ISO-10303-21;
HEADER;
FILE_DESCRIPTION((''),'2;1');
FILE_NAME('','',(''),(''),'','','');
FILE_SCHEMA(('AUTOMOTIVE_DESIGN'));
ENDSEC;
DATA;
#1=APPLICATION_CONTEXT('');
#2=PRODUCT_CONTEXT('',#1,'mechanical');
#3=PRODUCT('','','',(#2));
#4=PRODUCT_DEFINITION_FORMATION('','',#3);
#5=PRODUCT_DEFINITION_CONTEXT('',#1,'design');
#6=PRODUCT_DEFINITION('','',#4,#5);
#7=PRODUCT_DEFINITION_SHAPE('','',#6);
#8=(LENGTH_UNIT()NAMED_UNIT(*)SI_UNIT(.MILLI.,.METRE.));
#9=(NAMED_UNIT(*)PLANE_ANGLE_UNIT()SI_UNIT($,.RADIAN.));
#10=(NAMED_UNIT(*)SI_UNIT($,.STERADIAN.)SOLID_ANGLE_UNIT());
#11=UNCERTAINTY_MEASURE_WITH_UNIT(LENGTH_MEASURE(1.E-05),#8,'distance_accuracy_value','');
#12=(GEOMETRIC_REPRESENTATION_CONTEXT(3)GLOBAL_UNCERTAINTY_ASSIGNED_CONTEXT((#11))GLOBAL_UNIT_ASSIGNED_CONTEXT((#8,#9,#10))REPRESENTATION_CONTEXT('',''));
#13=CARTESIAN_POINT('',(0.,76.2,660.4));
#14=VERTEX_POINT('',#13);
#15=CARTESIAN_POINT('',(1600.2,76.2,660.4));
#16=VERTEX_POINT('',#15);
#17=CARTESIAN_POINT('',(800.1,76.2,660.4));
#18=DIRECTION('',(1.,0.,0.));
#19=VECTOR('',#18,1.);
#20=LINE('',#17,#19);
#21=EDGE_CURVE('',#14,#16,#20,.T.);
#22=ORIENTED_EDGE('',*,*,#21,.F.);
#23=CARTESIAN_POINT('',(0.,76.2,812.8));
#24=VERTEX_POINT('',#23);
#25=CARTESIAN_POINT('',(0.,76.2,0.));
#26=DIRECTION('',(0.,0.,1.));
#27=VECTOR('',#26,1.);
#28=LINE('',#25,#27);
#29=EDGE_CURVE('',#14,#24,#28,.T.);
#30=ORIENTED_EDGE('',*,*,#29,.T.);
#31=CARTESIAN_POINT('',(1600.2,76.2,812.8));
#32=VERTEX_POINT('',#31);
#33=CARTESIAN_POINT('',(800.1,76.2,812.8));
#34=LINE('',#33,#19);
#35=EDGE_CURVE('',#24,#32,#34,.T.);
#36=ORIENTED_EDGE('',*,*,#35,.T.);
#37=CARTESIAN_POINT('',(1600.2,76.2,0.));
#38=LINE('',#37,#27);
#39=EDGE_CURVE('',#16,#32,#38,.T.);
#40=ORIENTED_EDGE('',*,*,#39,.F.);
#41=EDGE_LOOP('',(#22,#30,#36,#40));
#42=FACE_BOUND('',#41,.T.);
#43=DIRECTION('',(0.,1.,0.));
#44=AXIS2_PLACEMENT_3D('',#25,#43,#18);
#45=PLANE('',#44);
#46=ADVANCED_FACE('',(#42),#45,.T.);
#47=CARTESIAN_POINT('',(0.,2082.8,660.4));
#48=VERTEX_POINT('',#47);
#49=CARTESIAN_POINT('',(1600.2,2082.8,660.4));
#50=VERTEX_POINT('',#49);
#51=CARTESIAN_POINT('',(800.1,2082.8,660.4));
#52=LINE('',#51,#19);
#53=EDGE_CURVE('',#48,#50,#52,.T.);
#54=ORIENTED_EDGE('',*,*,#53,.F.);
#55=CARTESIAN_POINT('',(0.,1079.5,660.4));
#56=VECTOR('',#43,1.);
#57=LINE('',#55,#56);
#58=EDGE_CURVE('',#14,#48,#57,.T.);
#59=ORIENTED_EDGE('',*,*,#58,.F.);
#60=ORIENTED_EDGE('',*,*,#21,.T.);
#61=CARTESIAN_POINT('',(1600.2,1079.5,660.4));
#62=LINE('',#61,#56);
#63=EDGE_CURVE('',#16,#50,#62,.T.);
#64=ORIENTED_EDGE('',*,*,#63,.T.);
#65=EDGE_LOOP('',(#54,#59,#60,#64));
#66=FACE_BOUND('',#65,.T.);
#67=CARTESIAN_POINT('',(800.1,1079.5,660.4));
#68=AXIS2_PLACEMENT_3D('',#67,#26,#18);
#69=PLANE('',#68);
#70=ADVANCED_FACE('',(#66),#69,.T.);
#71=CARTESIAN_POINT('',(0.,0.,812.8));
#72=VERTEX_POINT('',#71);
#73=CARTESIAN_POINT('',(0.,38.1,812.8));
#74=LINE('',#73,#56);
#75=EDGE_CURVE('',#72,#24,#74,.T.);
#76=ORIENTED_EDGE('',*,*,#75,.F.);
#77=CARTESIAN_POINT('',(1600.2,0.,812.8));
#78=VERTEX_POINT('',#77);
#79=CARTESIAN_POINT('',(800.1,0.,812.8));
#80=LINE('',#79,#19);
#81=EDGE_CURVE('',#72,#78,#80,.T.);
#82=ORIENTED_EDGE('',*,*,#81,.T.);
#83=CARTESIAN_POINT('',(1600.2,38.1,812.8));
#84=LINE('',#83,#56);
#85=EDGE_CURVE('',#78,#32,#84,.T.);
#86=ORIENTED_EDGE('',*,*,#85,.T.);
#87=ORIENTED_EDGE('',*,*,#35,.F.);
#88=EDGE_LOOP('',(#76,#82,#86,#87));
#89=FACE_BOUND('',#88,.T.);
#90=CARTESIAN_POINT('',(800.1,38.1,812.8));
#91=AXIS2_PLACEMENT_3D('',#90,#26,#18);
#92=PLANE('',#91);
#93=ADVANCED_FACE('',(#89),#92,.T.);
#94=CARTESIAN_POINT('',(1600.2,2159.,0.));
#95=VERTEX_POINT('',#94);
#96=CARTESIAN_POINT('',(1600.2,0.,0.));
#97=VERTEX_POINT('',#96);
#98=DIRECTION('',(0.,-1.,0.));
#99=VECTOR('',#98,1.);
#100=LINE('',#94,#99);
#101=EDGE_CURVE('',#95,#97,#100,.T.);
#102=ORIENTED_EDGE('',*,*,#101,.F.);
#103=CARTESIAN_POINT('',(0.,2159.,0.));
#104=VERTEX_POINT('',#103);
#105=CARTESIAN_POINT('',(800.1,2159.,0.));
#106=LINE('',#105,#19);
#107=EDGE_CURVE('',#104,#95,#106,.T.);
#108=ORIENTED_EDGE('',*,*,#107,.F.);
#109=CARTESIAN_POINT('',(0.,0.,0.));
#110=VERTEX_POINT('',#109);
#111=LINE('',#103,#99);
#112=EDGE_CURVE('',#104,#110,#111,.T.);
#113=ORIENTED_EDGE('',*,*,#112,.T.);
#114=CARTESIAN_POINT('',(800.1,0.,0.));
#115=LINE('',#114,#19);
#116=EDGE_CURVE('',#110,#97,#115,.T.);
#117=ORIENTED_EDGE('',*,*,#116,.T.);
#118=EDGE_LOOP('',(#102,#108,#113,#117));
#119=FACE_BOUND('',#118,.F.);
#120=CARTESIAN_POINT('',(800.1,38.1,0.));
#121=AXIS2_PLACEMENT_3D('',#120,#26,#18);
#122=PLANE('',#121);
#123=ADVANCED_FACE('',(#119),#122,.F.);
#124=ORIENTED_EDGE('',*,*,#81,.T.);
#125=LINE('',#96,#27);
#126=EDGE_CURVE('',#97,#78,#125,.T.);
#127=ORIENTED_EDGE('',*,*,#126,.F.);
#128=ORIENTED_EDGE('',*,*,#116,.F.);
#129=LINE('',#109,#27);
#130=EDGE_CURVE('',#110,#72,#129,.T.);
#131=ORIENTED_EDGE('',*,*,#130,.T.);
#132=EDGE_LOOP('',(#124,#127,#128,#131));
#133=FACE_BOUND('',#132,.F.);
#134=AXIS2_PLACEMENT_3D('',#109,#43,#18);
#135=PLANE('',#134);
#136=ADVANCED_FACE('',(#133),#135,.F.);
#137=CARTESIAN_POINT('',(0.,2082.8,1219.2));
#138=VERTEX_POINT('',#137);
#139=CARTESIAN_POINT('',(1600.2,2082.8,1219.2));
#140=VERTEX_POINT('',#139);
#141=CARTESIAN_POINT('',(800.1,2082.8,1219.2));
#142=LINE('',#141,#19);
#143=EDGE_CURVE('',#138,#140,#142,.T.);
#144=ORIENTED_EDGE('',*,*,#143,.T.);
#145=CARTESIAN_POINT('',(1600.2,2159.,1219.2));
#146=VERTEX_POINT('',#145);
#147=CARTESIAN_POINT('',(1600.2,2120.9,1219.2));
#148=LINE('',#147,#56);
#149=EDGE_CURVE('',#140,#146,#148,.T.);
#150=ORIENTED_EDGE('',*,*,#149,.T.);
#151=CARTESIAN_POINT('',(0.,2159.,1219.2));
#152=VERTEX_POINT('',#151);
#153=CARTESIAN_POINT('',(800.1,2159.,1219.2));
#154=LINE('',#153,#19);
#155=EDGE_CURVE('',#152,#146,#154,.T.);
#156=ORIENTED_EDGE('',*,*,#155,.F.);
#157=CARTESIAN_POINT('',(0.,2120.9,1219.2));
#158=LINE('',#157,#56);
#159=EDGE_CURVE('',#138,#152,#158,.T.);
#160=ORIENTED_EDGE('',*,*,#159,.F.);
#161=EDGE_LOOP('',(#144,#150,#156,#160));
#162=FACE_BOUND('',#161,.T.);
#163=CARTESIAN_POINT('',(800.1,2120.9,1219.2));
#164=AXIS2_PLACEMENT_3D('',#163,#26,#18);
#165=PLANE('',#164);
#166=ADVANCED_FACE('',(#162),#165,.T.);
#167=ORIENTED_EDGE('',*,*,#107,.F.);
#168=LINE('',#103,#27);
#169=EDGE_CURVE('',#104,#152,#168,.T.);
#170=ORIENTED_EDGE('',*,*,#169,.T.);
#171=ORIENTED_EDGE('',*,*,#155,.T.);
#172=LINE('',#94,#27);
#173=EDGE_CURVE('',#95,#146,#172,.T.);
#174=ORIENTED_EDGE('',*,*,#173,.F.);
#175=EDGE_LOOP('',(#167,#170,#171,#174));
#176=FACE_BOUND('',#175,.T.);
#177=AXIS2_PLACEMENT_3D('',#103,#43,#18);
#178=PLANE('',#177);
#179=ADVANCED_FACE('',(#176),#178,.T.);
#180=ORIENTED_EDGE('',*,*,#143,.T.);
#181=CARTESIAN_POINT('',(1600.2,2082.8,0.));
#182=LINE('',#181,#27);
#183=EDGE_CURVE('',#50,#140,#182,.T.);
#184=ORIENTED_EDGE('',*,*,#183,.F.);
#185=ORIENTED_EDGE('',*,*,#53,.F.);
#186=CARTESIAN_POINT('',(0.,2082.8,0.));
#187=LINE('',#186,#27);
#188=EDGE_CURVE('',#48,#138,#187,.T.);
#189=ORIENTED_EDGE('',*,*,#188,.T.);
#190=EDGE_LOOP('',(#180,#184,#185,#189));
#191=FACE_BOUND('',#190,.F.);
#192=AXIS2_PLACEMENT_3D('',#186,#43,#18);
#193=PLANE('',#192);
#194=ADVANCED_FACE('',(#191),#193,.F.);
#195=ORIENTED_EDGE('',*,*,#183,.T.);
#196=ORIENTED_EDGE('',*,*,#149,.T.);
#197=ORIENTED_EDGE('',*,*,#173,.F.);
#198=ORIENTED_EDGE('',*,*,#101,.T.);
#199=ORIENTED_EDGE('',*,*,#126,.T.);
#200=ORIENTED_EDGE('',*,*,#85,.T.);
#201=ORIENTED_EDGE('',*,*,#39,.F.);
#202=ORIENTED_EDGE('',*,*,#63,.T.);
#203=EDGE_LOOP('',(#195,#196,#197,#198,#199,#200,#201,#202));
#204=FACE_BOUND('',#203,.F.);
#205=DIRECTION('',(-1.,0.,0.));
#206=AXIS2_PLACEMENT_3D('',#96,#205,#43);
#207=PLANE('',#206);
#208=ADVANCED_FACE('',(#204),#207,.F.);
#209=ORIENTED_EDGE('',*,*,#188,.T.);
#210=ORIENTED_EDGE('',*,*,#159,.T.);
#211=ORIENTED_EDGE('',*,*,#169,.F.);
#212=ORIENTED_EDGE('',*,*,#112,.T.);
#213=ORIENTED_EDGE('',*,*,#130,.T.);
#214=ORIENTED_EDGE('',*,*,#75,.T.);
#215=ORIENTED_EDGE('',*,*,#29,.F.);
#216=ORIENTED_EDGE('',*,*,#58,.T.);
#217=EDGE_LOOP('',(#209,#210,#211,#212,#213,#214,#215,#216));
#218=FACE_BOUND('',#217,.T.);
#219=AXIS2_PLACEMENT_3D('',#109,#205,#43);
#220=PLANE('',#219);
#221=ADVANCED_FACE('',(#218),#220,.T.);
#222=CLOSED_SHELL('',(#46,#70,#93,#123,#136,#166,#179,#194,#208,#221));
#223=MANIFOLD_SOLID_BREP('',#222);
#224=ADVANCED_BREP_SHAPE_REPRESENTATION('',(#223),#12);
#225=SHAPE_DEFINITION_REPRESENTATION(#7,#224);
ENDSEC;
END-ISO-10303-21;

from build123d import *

# Parameters (mm, degrees)
F0_W     = 1600.2
F0_H     = 2006.6
F1_DEPTH = 660.4
F0_H_2   = 76.2
F2_DEPTH = 1219.2
F3_DEPTH = 812.8


with BuildPart() as f1:
    # F0 (on Top) → F1 (new body)
    with BuildSketch(Plane.XY):
        with Locations((800.1, 1079.5)):
            Rectangle(F0_W, F0_H)
    extrude(amount=F1_DEPTH)

    # F0 (on Top) → F2 (join)
    with BuildSketch(Plane.XY):
        with Locations((800.1, 2120.9)):
            Rectangle(F0_W, F0_H_2)
    extrude(amount=F2_DEPTH)

    # F0 (on Top) → F3 (join)
    with BuildSketch(Plane.XY):
        with Locations((800.1, 38.1)):
            Rectangle(F0_W, F0_H_2)
    extrude(amount=F3_DEPTH)


solid = f1.part
